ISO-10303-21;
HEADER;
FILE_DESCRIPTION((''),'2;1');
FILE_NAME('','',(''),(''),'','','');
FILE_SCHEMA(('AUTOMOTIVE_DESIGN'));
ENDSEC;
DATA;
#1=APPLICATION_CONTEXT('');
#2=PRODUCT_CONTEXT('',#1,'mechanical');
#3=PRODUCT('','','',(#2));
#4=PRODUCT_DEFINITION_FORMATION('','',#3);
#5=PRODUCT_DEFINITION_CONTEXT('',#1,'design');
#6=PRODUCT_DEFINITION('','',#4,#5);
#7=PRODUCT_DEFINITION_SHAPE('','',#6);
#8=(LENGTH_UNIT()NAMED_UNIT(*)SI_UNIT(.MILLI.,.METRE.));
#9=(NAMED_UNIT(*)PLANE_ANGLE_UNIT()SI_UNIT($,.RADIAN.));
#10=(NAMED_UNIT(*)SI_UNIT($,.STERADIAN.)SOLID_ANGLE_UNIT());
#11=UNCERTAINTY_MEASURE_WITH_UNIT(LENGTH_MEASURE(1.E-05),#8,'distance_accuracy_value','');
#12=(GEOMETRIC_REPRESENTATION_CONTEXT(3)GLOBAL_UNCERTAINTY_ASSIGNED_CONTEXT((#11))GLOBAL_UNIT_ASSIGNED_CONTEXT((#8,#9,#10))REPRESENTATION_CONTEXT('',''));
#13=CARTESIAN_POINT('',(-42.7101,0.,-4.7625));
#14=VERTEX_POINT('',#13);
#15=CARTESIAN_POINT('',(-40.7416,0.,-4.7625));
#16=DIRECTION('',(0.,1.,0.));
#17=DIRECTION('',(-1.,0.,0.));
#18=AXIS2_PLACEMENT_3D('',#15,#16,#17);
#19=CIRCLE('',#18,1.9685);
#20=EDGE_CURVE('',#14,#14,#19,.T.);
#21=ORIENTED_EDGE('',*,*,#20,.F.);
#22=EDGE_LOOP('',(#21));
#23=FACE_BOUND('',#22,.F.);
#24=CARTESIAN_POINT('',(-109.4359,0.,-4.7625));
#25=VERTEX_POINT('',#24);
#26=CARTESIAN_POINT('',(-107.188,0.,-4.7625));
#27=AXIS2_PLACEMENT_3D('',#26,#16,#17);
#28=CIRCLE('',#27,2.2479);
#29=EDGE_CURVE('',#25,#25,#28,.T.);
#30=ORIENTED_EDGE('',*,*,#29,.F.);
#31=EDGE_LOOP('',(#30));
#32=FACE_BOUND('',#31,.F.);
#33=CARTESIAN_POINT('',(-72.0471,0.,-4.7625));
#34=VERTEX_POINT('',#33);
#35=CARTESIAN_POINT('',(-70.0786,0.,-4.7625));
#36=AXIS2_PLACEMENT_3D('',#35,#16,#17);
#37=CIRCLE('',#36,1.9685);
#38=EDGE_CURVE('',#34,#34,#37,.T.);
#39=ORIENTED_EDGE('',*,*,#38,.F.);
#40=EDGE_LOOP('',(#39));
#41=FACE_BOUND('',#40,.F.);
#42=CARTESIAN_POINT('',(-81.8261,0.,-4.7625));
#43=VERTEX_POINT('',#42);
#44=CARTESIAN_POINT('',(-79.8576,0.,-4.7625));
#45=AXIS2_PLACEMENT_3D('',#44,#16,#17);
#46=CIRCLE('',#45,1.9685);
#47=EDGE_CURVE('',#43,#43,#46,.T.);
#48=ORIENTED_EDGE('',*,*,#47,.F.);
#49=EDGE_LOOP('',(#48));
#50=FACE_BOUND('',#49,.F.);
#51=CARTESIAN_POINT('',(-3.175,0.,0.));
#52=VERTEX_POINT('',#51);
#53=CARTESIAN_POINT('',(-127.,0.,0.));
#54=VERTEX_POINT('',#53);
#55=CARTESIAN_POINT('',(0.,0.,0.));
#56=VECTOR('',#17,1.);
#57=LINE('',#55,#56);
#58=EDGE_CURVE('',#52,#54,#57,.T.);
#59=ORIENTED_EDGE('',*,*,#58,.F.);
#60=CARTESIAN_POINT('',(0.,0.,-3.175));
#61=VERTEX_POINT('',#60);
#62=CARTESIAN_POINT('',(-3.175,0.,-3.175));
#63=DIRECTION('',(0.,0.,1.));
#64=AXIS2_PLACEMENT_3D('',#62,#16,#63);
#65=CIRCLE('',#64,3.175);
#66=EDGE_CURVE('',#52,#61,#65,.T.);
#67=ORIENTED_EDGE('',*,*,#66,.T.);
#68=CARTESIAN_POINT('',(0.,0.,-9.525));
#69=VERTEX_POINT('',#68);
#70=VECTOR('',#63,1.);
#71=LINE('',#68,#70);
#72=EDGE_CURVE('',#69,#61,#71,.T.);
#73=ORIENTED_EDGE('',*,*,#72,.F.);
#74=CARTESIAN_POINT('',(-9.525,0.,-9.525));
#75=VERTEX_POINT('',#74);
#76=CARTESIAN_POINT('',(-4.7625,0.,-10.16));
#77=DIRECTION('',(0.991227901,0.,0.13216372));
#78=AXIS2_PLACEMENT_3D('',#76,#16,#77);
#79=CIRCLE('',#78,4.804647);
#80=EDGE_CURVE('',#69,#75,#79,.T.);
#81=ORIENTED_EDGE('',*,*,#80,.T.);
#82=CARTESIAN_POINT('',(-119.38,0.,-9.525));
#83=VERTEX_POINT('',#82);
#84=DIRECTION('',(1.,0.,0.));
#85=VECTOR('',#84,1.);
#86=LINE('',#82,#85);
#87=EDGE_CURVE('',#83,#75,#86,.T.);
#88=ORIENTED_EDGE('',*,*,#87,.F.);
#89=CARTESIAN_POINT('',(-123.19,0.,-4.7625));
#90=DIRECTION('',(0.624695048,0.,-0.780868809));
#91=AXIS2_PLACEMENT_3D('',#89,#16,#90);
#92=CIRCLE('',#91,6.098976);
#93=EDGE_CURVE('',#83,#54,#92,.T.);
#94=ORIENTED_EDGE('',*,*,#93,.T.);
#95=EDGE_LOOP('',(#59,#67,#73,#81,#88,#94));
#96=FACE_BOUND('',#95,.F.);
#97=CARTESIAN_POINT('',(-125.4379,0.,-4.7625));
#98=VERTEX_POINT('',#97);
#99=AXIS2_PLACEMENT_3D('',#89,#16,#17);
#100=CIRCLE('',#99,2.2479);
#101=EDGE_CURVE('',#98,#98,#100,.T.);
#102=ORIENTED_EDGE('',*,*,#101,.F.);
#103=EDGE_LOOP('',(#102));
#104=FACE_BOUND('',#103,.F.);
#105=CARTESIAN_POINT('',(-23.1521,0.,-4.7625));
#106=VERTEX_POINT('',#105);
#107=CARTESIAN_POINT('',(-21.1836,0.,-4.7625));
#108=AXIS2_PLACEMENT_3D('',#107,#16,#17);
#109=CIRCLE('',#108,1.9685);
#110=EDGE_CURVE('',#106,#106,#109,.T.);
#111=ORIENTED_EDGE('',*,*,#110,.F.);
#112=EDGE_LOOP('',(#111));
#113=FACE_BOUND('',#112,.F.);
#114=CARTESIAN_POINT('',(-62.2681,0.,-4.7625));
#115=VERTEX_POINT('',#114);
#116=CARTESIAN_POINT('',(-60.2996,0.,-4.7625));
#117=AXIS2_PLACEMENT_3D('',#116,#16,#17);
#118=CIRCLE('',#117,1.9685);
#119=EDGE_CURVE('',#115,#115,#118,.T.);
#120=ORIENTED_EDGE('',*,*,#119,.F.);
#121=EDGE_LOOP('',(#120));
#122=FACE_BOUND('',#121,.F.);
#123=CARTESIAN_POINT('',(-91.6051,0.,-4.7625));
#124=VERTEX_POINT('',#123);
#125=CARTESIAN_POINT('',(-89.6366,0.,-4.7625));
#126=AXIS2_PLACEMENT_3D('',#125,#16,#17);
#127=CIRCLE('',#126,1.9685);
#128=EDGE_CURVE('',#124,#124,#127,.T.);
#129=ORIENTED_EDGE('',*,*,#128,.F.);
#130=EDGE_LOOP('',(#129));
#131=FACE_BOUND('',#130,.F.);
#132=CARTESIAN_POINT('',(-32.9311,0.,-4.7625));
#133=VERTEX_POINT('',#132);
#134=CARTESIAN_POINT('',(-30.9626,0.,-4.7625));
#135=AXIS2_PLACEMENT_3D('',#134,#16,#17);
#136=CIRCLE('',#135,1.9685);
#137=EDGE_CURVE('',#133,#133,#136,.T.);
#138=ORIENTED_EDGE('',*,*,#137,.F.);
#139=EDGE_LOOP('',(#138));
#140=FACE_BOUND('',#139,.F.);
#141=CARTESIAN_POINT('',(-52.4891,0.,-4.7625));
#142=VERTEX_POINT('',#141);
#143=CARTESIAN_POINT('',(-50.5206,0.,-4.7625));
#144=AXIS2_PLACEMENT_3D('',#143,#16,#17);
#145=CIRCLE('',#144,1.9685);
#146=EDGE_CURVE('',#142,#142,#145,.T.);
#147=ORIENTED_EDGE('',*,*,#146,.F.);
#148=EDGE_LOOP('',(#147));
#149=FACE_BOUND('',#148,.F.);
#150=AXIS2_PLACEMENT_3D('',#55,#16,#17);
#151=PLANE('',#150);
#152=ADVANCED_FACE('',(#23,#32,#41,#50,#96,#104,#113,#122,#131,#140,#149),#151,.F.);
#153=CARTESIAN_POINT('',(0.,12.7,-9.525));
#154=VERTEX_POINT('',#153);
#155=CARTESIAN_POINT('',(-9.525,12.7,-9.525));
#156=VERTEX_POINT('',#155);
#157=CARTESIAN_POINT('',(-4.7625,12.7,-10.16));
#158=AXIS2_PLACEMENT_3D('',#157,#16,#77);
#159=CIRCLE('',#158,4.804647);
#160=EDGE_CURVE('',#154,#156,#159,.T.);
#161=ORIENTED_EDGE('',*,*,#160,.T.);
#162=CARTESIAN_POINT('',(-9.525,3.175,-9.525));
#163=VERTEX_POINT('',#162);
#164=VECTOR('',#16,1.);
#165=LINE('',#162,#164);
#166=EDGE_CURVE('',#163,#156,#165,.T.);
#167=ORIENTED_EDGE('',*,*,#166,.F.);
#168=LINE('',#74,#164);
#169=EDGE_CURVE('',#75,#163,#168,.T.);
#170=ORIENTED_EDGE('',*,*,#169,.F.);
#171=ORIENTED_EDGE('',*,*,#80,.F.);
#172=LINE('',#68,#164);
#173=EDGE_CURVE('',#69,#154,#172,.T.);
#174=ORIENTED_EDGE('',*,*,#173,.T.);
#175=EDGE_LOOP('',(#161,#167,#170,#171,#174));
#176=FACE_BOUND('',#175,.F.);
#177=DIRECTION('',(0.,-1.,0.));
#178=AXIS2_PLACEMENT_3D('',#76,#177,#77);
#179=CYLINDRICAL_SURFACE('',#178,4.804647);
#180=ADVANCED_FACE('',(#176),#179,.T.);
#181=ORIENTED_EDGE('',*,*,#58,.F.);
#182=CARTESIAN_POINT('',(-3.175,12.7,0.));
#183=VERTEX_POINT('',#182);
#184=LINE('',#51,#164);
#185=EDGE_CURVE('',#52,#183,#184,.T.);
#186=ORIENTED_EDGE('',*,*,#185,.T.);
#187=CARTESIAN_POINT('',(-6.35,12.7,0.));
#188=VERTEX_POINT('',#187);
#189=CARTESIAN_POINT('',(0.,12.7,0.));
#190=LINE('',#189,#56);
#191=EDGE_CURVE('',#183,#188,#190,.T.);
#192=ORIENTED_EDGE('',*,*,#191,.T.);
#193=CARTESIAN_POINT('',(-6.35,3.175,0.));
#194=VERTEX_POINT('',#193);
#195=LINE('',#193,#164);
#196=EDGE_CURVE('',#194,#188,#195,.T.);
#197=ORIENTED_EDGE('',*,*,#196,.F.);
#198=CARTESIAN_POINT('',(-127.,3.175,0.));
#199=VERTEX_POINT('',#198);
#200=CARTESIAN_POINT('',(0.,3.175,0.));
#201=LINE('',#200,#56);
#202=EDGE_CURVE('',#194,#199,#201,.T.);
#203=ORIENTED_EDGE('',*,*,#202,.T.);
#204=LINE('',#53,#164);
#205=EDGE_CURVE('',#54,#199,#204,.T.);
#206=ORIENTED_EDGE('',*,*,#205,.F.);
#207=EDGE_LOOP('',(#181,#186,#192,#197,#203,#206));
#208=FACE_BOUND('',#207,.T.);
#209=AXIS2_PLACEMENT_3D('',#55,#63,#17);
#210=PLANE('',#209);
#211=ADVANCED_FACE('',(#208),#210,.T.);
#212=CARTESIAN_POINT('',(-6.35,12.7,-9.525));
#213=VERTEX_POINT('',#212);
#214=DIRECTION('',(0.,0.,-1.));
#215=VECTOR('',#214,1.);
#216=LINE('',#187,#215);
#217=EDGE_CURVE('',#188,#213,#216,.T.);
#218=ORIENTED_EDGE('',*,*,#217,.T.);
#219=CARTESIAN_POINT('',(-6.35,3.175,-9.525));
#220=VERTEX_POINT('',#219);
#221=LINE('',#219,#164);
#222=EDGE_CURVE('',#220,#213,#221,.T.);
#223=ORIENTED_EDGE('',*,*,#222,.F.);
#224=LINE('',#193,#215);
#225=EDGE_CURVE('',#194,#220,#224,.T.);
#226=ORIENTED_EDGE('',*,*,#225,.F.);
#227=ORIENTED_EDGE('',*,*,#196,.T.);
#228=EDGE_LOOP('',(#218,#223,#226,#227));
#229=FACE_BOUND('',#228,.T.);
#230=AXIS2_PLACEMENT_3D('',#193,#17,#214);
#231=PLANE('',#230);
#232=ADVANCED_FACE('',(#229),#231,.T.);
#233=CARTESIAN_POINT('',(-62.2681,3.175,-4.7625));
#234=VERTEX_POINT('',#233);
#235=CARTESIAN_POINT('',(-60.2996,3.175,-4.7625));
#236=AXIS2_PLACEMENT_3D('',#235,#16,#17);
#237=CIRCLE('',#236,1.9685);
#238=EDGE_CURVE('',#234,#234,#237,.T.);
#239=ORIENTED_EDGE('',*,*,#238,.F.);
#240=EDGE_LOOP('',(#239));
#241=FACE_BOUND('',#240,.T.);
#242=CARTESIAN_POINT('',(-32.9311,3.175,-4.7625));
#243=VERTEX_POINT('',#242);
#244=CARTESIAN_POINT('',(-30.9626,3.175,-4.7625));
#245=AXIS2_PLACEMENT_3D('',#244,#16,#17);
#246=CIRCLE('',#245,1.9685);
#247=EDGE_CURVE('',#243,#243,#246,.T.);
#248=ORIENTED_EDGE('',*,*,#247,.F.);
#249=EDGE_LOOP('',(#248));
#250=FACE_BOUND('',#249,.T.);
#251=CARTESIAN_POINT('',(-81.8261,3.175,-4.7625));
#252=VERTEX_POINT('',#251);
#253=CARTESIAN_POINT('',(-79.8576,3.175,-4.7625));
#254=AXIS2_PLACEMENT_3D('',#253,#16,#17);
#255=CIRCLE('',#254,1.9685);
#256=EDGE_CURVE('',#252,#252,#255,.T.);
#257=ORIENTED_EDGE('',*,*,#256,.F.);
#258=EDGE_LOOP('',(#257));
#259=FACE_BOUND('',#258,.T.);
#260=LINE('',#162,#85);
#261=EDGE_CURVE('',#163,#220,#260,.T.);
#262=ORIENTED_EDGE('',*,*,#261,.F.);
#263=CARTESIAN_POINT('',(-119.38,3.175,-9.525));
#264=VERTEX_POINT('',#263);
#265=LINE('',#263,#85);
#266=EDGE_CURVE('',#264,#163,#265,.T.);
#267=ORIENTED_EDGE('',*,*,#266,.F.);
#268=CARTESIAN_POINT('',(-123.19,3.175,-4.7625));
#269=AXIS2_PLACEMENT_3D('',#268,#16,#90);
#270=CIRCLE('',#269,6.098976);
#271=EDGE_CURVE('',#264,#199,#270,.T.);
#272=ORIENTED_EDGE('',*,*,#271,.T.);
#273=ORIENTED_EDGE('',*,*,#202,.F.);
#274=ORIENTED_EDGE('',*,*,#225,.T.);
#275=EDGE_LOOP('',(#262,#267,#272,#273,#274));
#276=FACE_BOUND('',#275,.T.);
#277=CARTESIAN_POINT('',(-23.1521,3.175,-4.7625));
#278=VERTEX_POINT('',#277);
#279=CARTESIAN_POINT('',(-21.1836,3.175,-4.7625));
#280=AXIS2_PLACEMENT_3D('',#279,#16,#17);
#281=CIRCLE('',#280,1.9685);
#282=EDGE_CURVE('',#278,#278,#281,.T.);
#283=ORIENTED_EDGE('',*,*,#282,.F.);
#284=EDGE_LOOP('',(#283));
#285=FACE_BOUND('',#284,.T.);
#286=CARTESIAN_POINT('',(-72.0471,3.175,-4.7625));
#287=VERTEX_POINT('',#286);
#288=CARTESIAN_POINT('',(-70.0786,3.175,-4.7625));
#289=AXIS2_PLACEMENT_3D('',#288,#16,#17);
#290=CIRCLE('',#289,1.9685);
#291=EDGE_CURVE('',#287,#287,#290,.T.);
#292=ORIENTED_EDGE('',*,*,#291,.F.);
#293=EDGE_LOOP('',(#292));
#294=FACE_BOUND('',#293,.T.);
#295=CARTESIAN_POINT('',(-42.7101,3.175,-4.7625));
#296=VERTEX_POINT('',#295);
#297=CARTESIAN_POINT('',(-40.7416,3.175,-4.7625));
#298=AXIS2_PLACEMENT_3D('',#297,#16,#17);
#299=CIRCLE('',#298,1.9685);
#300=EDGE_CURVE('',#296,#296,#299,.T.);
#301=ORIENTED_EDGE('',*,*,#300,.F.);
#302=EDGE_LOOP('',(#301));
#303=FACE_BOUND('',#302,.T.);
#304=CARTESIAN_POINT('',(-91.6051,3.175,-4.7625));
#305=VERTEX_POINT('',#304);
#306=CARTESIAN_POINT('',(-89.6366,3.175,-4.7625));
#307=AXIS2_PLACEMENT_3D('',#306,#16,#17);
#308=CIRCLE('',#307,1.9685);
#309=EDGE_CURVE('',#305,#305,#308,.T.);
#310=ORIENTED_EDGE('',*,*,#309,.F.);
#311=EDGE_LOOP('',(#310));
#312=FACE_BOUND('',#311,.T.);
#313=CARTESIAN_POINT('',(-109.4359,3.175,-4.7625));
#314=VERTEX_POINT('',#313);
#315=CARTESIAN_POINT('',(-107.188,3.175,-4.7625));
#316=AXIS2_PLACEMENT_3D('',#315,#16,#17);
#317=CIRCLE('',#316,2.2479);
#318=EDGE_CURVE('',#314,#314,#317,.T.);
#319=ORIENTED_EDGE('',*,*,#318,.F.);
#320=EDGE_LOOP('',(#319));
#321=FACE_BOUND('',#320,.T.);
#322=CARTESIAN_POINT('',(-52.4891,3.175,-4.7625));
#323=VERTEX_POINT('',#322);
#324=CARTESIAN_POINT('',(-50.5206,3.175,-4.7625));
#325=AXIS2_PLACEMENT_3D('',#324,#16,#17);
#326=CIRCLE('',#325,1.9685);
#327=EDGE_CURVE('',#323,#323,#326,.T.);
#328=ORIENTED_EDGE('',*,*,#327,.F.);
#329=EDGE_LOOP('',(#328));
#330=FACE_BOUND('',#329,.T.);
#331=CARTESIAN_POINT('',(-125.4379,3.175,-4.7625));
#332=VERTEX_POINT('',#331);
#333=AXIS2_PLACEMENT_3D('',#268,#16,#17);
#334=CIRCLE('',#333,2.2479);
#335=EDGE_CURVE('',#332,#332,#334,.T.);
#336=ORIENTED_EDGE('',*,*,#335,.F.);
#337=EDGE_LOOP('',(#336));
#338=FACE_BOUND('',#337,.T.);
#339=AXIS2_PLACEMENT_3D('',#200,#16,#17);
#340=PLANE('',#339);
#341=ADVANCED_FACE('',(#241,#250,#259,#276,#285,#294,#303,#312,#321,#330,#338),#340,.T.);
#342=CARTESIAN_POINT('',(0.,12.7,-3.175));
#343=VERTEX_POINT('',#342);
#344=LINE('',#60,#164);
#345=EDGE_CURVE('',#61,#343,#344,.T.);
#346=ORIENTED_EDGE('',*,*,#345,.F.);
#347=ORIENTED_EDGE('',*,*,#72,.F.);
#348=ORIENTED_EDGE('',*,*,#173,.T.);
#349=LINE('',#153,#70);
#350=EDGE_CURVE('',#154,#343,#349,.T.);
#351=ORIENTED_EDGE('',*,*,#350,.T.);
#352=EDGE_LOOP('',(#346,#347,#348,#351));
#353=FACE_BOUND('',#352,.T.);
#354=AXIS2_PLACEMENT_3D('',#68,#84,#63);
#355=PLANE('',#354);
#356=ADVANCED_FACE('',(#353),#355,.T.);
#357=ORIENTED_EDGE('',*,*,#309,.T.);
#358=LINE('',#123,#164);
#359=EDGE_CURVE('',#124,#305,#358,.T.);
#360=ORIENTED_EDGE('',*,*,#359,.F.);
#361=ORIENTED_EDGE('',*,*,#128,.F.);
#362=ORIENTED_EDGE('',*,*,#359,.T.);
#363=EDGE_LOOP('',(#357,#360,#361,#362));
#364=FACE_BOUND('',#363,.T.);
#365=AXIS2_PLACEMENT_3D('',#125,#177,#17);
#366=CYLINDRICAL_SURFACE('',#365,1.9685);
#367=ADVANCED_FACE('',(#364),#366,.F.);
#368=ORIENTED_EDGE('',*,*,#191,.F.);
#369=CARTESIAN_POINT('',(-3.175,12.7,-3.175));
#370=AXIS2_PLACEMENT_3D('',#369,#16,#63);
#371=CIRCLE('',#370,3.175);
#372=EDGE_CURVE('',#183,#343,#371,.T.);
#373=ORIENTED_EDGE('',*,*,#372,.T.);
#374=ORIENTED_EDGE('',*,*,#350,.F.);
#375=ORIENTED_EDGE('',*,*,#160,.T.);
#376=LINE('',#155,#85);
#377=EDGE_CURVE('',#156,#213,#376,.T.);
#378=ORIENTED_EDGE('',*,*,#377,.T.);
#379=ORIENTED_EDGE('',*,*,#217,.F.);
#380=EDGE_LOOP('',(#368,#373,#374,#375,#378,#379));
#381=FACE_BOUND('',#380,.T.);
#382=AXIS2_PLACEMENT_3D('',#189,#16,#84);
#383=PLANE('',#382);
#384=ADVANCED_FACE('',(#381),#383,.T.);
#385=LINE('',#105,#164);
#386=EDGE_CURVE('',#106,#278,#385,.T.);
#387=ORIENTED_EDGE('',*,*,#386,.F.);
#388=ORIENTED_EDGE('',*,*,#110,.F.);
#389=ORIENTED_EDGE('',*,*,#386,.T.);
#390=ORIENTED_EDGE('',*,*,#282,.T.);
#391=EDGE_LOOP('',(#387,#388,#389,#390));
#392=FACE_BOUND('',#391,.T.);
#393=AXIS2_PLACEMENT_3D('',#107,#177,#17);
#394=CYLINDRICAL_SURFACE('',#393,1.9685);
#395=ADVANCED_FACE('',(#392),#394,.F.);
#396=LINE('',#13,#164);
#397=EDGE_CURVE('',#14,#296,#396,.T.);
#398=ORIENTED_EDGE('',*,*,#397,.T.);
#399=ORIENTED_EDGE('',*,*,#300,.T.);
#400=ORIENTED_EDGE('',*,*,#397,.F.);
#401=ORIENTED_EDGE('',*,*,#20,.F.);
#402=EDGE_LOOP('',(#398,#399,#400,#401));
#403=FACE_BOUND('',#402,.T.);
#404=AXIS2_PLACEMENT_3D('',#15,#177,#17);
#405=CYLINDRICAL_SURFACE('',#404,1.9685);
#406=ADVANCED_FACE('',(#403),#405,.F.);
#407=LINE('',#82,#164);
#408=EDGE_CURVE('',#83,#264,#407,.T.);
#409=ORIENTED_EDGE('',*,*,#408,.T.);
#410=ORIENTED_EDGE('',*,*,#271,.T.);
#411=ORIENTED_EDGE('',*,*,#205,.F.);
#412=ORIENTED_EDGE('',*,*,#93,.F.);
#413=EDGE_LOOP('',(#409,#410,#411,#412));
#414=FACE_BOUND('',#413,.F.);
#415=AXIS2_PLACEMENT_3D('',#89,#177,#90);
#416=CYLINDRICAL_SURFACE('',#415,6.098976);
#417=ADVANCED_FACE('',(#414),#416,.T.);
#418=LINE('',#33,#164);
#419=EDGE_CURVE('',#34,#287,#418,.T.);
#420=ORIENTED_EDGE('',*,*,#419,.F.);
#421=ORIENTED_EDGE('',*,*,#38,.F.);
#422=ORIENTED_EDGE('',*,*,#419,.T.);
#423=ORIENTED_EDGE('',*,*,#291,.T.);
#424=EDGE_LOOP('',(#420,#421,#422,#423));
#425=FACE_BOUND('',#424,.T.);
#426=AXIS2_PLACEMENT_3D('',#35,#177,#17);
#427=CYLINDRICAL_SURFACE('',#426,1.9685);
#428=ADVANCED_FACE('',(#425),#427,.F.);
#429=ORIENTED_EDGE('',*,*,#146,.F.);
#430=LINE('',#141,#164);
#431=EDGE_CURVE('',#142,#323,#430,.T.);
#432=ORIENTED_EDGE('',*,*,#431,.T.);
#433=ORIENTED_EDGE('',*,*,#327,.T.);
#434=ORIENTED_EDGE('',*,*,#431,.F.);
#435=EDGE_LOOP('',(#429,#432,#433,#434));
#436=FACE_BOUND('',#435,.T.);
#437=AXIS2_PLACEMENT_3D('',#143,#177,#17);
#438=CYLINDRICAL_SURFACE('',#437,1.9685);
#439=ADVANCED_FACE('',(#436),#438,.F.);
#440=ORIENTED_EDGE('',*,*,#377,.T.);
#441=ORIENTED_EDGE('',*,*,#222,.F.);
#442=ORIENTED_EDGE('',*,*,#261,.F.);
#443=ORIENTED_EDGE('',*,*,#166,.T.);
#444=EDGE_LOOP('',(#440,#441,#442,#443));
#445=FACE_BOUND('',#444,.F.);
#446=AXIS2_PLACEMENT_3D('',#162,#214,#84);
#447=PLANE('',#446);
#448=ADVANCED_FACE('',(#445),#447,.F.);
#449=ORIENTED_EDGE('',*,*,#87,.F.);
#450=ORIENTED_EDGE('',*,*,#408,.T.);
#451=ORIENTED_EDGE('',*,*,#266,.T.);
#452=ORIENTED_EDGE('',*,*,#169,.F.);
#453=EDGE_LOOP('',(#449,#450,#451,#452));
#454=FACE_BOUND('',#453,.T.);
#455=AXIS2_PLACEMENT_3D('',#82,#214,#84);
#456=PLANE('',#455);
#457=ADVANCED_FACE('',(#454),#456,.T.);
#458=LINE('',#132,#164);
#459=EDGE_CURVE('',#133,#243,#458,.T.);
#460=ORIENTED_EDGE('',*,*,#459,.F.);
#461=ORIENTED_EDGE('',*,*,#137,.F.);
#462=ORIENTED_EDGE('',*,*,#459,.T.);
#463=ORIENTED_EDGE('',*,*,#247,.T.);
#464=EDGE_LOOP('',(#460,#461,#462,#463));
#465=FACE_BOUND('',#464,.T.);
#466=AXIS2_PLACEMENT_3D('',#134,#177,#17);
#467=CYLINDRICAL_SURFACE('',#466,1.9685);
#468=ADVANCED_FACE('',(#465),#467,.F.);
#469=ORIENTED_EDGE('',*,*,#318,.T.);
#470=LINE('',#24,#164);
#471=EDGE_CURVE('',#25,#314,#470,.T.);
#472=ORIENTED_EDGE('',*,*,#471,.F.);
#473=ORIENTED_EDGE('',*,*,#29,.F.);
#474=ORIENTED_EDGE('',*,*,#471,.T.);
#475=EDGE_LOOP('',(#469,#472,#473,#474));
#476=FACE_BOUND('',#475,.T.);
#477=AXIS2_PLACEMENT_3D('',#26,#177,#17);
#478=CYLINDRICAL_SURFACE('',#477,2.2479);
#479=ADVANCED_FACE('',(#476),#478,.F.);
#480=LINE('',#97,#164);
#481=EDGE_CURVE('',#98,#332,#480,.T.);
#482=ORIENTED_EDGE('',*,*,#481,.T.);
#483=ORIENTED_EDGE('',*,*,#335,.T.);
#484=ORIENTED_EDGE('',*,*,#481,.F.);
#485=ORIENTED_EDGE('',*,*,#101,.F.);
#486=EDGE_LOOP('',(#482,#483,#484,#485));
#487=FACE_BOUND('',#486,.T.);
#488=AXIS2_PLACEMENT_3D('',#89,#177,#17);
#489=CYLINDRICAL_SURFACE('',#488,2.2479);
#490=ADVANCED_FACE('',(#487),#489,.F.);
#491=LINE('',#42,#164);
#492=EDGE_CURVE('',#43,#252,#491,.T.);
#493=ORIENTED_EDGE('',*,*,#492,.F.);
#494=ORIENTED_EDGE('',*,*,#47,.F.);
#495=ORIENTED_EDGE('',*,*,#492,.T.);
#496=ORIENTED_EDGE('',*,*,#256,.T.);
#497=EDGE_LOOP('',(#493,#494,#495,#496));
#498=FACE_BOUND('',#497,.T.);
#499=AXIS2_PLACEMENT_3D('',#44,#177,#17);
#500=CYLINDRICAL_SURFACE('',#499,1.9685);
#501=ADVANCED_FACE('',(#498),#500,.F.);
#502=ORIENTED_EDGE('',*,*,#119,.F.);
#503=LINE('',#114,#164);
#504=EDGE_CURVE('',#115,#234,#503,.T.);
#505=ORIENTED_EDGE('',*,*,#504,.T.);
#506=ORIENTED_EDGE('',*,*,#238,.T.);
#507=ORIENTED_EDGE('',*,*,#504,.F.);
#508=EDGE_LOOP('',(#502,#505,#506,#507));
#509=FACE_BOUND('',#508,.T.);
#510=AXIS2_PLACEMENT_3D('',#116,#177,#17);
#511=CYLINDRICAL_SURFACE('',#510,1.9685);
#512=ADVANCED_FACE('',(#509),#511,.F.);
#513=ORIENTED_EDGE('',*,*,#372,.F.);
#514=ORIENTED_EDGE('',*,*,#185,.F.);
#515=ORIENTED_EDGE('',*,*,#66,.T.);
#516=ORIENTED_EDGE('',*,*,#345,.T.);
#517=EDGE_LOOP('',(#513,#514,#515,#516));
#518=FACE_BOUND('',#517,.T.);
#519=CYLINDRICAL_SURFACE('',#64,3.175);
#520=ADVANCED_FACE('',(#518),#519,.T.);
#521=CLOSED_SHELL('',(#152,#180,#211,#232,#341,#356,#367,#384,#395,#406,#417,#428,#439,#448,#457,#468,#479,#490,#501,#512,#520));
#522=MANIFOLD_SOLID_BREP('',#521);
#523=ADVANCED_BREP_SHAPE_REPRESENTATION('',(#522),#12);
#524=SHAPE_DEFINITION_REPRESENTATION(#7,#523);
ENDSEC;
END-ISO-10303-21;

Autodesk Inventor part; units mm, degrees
ref_plane "YZ Plane" through (0, 0, 0) normal (1, 0, 0) x (0, 1, 0)
ref_plane "XZ Plane" through (0, 0, 0) normal (0, 1, 0) x (-1, 0, 0)
ref_plane "XY Plane" through (0, 0, 0) normal (0, 0, 1) x (1, 0, 0)
sketch "Sketch1" plane through (0, 0, 0) normal (0, 1, 0) x (-1, 0, 0)
  line L0 (0, 0) -> (127, 0)
  line L1 (119.38, -9.525) -> (9.525, -9.525)
  line L2 (0, -9.525) -> (0, 0)
  arc A0 (0, -9.525) -> (9.525, -9.525) centre (4.7625, -10.16) ccw
  arc A1 (119.38, -9.525) -> (127, 0) centre (123.19, -4.7625) ccw
  circle A2 centre (123.19, -4.7625) radius 2.2479
  circle A3 centre (107.188, -4.7625) radius 2.2479
  circle A4 centre (89.6366, -4.7625) radius 1.9685
  circle A5 centre (79.8576, -4.7625) radius 1.9685
  circle A6 centre (70.0786, -4.7625) radius 1.9685
  circle A7 centre (60.2996, -4.7625) radius 1.9685
  circle A8 centre (50.5206, -4.7625) radius 1.9685
  circle A9 centre (40.7416, -4.7625) radius 1.9685
  circle A10 centre (30.9626, -4.7625) radius 1.9685
  circle A11 centre (21.1836, -4.7625) radius 1.9685
  dimension "d9" = 9.525
  dimension "d10" = 127
  dimension "d11" = 4.4958
  dimension "d12" = 4.4958
  dimension "d13" = 16.002
  dimension "d14" = 3.937
  dimension "d15" = 17.5514
  dimension "d18" = 9.779
extrude "Extrusion1" add sketch "Sketch1" along normal blind 3.175
sketch "Sketch2" plane through (0, 3.175, 0) normal (0, 1, 0) x (1, 0, 0)
  circle A0 centre (-40.7416, 4.7625) radius 1.9685 construction
  arc A1 (0, 9.525) -> (-9.525, 9.525) centre (-4.7625, 10.16) ccw construction
  line L0 (0, 0) -> (-6.35, 0)
  line L1 (-6.35, 0) -> (-6.35, 9.525)
  line L2 (-9.525, 9.525) -> (-6.35, 9.525)
  line L3 (0, 9.525) -> (0, 0)
  line L4 (-127, 0) -> (0, 0) projected
  line L5 (0, 0) -> (0, 9.525) projected
  arc A2 (0, 9.525) -> (-9.525, 9.525) centre (-4.7625, 10.16) ccw
  point P0 (-4.7625, 4.7625)
  dimension "d27" = 0
  dimension "d28" = 6.35
  dimension "d32" = 0
extrude "Extrusion2" add sketch "Sketch2" along normal blind 9.525
fillet "Fillet2" radius 3.175 1 edges at (0, 6.35, 0)
properties part number "CollectorArmRear"
